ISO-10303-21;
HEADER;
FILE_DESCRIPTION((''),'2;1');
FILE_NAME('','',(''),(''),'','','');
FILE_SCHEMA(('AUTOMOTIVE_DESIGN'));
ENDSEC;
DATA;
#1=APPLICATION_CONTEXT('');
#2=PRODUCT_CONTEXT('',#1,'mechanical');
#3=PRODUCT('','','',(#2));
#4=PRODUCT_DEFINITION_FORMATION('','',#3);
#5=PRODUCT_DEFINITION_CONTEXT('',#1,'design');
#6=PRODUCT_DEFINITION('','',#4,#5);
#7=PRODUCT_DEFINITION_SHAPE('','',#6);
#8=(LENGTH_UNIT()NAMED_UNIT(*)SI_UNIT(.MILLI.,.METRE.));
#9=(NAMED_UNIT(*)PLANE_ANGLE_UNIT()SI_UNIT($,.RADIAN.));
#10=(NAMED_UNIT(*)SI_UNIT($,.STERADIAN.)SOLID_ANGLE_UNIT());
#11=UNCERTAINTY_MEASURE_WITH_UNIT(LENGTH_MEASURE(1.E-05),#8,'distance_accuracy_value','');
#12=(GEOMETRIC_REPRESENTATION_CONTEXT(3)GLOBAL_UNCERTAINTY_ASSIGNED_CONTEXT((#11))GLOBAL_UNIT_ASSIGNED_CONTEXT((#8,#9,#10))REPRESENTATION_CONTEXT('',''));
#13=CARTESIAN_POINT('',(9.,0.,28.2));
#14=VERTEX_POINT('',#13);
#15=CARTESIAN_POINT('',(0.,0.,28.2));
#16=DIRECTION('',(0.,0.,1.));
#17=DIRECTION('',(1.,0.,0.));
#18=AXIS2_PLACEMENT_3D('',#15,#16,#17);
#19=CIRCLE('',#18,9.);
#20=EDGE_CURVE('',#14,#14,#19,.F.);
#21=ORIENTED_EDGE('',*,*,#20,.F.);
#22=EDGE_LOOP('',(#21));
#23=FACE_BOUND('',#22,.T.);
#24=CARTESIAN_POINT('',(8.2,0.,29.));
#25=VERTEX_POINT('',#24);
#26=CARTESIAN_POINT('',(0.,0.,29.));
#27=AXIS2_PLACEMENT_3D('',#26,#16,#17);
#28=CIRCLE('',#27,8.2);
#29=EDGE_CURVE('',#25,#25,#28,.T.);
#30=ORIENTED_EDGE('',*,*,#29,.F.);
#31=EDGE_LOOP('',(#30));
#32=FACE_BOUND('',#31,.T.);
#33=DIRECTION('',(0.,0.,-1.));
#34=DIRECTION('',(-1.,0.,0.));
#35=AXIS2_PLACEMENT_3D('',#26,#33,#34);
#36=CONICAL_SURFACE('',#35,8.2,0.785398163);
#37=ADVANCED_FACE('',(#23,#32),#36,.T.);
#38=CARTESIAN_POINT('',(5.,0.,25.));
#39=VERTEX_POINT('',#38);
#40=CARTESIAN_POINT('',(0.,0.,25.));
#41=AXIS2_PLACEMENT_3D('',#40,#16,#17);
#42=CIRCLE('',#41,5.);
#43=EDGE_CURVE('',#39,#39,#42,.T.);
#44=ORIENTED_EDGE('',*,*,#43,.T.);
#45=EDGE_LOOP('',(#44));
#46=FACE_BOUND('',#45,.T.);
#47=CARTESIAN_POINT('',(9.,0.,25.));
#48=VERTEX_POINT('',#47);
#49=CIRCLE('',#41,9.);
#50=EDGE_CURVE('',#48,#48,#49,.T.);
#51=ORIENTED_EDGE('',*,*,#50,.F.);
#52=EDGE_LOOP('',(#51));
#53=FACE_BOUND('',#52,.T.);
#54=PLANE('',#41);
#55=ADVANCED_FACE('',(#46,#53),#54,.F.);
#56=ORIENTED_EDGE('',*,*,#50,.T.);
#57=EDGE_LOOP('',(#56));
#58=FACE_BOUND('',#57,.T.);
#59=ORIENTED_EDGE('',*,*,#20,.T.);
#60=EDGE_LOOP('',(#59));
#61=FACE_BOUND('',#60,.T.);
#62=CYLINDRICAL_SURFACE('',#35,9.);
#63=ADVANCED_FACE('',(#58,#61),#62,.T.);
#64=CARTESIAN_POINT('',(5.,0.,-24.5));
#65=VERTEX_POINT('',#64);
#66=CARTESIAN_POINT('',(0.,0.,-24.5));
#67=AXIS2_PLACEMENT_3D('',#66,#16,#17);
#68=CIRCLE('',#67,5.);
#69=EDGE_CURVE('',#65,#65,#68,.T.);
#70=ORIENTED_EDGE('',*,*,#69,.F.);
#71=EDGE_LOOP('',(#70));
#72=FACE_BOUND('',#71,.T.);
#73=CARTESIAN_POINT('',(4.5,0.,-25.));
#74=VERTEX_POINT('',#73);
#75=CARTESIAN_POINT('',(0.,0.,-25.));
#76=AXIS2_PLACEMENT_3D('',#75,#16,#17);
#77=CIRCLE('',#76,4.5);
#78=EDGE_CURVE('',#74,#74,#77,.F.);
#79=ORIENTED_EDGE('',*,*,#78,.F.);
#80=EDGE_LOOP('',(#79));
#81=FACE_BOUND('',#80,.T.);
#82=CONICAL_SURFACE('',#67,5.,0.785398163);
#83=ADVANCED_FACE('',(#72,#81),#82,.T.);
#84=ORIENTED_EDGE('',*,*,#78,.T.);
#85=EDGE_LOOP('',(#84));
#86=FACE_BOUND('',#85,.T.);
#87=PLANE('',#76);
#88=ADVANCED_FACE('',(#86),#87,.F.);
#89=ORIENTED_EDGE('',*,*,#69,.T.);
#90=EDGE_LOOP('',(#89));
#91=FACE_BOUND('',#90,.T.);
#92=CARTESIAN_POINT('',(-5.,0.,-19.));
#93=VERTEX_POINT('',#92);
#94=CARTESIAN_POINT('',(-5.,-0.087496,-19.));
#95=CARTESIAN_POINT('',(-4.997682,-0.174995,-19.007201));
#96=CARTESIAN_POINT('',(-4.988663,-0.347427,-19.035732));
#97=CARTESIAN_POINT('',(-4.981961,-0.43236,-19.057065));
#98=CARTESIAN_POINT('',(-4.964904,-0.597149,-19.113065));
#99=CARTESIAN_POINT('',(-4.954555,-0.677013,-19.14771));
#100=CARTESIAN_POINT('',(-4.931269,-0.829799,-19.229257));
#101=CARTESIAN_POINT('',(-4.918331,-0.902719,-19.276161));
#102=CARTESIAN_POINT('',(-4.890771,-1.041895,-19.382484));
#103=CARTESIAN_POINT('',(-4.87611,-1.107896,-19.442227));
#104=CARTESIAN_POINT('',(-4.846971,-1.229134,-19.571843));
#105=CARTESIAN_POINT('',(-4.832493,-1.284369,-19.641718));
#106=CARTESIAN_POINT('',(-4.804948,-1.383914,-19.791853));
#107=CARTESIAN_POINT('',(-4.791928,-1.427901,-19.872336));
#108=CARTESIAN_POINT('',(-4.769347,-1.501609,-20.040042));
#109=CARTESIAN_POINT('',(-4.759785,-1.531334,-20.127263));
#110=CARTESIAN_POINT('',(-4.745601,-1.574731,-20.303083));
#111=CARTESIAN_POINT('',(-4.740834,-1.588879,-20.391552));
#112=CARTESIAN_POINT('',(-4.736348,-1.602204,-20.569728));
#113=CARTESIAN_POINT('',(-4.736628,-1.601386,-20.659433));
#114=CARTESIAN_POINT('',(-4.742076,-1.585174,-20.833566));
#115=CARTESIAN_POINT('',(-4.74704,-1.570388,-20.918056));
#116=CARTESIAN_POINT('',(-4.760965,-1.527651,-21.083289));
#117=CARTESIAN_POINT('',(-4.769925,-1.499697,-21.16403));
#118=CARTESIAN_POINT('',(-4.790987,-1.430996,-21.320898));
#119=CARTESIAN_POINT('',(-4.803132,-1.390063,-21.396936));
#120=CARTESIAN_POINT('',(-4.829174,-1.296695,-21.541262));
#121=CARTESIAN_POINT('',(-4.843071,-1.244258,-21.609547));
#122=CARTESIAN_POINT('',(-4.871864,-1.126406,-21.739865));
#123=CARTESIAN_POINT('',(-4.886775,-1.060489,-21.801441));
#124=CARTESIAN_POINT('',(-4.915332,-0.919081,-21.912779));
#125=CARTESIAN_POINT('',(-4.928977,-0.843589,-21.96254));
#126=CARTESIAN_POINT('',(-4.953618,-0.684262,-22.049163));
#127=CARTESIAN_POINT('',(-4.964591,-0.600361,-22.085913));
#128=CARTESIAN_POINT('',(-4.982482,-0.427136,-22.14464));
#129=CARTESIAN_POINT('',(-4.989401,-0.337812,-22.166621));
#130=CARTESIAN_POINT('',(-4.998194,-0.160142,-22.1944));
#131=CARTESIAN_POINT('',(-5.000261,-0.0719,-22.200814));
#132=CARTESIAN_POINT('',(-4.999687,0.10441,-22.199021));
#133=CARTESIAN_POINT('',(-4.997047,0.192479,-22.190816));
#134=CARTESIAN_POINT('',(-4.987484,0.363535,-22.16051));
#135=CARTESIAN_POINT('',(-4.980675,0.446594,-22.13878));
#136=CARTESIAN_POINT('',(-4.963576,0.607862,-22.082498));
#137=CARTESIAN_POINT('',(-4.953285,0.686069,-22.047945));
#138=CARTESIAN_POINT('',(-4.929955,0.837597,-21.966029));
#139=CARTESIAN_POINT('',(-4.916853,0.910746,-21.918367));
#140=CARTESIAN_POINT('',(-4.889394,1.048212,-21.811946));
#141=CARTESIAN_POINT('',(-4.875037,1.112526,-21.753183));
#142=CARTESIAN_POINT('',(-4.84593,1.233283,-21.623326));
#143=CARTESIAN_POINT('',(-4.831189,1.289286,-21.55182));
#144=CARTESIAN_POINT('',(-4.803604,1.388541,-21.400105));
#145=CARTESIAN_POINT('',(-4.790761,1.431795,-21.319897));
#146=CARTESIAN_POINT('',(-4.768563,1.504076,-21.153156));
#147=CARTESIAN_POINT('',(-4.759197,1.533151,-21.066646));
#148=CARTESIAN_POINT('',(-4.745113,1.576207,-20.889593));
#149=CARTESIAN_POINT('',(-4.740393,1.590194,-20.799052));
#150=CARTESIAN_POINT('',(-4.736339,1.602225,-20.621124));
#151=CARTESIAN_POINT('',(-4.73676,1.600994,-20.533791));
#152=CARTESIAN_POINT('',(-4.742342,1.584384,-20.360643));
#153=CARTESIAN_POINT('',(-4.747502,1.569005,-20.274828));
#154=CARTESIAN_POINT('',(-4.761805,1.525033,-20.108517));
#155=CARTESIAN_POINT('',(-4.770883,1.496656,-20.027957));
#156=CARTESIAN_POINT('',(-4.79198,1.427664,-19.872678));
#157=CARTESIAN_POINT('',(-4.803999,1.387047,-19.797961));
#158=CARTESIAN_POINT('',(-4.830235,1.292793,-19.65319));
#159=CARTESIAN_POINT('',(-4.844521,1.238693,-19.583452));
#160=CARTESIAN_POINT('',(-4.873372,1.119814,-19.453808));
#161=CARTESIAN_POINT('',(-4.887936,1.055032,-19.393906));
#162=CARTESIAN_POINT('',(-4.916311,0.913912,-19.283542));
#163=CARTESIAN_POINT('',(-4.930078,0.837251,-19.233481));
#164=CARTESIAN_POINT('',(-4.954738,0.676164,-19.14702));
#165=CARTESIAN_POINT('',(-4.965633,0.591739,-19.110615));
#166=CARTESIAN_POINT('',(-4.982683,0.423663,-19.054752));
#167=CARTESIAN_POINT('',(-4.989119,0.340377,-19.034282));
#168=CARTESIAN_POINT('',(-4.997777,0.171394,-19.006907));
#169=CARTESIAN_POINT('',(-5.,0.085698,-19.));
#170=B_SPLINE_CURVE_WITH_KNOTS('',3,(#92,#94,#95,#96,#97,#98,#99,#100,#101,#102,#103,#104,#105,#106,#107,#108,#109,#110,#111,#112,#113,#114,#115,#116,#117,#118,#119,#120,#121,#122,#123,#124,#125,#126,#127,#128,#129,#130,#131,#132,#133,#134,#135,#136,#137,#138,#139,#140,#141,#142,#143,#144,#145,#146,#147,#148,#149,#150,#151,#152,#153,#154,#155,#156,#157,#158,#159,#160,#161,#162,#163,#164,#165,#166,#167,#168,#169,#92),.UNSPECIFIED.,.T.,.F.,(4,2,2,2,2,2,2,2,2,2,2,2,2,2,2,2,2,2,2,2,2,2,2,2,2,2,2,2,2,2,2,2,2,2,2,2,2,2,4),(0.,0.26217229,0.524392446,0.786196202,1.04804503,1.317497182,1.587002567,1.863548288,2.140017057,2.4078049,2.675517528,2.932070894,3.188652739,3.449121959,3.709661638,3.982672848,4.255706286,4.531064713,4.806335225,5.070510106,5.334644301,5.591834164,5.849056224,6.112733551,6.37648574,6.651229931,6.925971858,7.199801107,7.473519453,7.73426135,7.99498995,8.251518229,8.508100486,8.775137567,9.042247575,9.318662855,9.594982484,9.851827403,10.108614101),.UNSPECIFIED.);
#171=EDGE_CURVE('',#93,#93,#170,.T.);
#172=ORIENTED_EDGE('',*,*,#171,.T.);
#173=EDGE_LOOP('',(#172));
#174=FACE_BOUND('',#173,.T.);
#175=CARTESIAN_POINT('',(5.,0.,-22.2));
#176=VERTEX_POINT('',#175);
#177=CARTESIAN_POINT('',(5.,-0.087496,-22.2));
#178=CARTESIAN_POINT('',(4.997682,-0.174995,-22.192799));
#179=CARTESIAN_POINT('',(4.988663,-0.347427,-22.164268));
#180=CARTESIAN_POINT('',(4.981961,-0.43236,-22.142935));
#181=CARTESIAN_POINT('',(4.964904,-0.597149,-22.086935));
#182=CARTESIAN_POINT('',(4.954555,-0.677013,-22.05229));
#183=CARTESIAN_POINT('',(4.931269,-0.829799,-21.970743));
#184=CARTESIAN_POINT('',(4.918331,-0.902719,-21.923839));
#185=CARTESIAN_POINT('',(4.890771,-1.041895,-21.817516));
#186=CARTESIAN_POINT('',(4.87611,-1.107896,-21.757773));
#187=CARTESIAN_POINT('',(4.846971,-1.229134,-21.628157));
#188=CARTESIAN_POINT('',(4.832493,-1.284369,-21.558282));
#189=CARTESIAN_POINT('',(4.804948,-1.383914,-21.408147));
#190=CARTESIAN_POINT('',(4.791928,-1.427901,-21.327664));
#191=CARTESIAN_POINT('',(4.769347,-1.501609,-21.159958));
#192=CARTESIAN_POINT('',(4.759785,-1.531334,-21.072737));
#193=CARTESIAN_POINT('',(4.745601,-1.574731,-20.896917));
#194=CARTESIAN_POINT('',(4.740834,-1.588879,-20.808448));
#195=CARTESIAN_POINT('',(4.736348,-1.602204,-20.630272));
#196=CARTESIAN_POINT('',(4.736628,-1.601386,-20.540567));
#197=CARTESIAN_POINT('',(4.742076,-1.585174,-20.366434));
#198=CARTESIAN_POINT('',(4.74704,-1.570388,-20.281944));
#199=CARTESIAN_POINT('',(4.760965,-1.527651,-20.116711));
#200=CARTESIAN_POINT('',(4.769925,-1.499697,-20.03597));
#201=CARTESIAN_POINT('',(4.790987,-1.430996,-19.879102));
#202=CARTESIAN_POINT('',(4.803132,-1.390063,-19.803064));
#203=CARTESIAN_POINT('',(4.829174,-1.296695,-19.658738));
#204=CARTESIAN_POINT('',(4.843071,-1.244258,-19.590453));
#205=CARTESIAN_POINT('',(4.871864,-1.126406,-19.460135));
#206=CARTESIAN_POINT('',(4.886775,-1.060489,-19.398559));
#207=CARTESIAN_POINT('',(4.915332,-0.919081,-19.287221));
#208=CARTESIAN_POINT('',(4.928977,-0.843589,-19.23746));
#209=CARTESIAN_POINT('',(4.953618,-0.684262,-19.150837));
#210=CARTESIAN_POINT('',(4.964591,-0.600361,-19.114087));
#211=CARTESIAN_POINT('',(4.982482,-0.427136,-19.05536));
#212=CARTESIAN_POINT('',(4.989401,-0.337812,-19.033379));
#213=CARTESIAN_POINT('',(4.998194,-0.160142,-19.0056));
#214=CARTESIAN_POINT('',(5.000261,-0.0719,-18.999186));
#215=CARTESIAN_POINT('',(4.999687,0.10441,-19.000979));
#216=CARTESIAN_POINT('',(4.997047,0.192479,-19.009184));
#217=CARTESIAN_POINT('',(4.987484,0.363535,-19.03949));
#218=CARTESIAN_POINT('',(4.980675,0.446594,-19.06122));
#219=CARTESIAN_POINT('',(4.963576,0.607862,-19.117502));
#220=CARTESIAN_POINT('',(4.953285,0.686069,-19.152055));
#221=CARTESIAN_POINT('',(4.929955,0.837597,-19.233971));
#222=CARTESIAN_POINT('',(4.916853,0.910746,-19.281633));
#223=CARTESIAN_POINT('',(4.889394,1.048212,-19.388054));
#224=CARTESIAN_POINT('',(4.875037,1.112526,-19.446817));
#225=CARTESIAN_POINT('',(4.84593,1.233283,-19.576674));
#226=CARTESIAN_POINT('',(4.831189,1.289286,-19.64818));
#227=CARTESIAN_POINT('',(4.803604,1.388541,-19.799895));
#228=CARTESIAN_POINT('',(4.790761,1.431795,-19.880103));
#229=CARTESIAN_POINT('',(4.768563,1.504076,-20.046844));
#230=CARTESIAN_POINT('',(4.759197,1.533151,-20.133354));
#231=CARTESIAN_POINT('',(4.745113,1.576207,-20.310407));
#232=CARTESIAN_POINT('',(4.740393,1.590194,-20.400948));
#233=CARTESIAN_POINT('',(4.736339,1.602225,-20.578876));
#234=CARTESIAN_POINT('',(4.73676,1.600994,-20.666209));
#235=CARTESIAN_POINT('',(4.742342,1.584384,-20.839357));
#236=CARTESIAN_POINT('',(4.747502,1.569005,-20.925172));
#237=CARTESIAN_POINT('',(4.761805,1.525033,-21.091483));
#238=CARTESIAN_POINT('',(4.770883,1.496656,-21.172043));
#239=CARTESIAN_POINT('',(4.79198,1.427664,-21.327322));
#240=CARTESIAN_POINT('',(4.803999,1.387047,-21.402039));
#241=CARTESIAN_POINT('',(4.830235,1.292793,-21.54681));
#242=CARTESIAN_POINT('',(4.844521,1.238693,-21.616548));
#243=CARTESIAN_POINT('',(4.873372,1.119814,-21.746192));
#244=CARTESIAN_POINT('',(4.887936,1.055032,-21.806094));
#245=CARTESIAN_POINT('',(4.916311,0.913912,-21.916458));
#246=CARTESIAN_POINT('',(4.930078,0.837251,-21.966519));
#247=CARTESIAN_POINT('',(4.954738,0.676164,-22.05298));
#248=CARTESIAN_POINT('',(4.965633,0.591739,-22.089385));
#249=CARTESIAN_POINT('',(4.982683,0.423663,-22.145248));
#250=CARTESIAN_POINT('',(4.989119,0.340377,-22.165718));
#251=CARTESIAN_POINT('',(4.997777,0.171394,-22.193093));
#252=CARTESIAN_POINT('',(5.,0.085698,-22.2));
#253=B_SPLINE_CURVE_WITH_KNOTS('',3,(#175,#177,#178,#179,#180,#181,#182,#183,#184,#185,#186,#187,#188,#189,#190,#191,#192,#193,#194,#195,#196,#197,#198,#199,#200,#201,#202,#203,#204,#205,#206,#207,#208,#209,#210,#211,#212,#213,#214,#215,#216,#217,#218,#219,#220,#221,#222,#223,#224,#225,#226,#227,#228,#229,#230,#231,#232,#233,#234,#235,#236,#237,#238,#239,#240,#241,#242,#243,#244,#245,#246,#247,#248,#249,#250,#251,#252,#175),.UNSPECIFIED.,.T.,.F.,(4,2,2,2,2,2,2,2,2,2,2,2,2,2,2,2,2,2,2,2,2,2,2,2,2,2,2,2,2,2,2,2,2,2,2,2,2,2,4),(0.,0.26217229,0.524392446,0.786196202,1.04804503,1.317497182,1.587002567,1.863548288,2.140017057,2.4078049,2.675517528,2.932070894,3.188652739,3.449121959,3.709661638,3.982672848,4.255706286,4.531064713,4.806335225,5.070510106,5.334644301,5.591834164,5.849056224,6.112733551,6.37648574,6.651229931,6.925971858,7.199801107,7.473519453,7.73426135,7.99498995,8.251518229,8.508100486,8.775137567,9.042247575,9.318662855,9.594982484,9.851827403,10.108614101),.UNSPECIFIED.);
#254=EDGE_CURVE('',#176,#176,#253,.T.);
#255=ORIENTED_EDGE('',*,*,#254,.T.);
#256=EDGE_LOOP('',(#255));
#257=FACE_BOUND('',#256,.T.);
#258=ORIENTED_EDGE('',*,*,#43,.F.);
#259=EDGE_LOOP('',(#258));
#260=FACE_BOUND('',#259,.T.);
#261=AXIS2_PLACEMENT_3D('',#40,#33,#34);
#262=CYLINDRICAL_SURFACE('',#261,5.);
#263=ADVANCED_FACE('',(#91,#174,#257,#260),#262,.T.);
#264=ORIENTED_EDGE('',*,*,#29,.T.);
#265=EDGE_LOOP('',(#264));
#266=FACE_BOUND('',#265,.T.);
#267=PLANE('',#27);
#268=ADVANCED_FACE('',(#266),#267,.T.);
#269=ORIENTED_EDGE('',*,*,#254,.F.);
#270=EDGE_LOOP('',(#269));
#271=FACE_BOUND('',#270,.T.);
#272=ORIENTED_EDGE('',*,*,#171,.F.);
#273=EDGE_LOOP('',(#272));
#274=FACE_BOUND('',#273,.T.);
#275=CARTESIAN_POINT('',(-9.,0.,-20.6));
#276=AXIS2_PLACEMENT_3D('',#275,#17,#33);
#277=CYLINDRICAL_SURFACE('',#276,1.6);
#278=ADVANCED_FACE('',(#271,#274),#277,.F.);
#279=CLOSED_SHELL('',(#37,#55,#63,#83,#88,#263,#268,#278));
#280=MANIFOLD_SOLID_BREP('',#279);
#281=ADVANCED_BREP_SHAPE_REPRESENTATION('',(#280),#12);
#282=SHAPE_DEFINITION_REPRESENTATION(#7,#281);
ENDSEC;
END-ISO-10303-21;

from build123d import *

# Parameters (mm, degrees)
SKETCH1_R           = 5
EXTRUDE1_DEPTH      = 25
SKETCH2_R           = 9
EXTRUDE2_DEPTH      = 4
CHAMFER1_SIZE       = 0.8
EXTRUDE3_DEPTH      = 32.670175244
EXTRUDE3_DEPTH_BACK = 32.670175244
SKETCH3_R           = 1.6
CHAMFER2_SIZE       = 0.5


with BuildPart() as part:
    # Sketch1 → Extrude1 (new, symmetric)
    with BuildSketch(Plane.XY):
        Circle(SKETCH1_R)
    extrude(amount=EXTRUDE1_DEPTH, both=True)

    # Sketch2 → Extrude2 (add)
    with BuildSketch(Plane.XY.offset(25)):
        Circle(SKETCH2_R)
    extrude(amount=EXTRUDE2_DEPTH)

    # Chamfer1
    chamfer1_edges = [part.edges().sort_by_distance(p)[0] for p in [
        (-9, 0, 29),
    ]]
    chamfer(chamfer1_edges, length=CHAMFER1_SIZE)

    # Sketch3 → Extrude3 (cut, two sides: drawn at the far end of the back side and taken through both)
    with BuildSketch(Plane(origin=(0, 0, 0), x_dir=(0, 0, -1), z_dir=(1, 0, 0)).offset(-EXTRUDE3_DEPTH_BACK)):
        with Locations(Location((20.6, 0, 0), (0, 0, 179.999999999))):
            Circle(SKETCH3_R)
    extrude(amount=EXTRUDE3_DEPTH + EXTRUDE3_DEPTH_BACK, mode=Mode.SUBTRACT)

    # Chamfer2
    chamfer2_edges = [part.edges().sort_by_distance(p)[0] for p in [
        (-5, 0, -25),
    ]]
    chamfer(chamfer2_edges, length=CHAMFER2_SIZE)


solid = part.part
